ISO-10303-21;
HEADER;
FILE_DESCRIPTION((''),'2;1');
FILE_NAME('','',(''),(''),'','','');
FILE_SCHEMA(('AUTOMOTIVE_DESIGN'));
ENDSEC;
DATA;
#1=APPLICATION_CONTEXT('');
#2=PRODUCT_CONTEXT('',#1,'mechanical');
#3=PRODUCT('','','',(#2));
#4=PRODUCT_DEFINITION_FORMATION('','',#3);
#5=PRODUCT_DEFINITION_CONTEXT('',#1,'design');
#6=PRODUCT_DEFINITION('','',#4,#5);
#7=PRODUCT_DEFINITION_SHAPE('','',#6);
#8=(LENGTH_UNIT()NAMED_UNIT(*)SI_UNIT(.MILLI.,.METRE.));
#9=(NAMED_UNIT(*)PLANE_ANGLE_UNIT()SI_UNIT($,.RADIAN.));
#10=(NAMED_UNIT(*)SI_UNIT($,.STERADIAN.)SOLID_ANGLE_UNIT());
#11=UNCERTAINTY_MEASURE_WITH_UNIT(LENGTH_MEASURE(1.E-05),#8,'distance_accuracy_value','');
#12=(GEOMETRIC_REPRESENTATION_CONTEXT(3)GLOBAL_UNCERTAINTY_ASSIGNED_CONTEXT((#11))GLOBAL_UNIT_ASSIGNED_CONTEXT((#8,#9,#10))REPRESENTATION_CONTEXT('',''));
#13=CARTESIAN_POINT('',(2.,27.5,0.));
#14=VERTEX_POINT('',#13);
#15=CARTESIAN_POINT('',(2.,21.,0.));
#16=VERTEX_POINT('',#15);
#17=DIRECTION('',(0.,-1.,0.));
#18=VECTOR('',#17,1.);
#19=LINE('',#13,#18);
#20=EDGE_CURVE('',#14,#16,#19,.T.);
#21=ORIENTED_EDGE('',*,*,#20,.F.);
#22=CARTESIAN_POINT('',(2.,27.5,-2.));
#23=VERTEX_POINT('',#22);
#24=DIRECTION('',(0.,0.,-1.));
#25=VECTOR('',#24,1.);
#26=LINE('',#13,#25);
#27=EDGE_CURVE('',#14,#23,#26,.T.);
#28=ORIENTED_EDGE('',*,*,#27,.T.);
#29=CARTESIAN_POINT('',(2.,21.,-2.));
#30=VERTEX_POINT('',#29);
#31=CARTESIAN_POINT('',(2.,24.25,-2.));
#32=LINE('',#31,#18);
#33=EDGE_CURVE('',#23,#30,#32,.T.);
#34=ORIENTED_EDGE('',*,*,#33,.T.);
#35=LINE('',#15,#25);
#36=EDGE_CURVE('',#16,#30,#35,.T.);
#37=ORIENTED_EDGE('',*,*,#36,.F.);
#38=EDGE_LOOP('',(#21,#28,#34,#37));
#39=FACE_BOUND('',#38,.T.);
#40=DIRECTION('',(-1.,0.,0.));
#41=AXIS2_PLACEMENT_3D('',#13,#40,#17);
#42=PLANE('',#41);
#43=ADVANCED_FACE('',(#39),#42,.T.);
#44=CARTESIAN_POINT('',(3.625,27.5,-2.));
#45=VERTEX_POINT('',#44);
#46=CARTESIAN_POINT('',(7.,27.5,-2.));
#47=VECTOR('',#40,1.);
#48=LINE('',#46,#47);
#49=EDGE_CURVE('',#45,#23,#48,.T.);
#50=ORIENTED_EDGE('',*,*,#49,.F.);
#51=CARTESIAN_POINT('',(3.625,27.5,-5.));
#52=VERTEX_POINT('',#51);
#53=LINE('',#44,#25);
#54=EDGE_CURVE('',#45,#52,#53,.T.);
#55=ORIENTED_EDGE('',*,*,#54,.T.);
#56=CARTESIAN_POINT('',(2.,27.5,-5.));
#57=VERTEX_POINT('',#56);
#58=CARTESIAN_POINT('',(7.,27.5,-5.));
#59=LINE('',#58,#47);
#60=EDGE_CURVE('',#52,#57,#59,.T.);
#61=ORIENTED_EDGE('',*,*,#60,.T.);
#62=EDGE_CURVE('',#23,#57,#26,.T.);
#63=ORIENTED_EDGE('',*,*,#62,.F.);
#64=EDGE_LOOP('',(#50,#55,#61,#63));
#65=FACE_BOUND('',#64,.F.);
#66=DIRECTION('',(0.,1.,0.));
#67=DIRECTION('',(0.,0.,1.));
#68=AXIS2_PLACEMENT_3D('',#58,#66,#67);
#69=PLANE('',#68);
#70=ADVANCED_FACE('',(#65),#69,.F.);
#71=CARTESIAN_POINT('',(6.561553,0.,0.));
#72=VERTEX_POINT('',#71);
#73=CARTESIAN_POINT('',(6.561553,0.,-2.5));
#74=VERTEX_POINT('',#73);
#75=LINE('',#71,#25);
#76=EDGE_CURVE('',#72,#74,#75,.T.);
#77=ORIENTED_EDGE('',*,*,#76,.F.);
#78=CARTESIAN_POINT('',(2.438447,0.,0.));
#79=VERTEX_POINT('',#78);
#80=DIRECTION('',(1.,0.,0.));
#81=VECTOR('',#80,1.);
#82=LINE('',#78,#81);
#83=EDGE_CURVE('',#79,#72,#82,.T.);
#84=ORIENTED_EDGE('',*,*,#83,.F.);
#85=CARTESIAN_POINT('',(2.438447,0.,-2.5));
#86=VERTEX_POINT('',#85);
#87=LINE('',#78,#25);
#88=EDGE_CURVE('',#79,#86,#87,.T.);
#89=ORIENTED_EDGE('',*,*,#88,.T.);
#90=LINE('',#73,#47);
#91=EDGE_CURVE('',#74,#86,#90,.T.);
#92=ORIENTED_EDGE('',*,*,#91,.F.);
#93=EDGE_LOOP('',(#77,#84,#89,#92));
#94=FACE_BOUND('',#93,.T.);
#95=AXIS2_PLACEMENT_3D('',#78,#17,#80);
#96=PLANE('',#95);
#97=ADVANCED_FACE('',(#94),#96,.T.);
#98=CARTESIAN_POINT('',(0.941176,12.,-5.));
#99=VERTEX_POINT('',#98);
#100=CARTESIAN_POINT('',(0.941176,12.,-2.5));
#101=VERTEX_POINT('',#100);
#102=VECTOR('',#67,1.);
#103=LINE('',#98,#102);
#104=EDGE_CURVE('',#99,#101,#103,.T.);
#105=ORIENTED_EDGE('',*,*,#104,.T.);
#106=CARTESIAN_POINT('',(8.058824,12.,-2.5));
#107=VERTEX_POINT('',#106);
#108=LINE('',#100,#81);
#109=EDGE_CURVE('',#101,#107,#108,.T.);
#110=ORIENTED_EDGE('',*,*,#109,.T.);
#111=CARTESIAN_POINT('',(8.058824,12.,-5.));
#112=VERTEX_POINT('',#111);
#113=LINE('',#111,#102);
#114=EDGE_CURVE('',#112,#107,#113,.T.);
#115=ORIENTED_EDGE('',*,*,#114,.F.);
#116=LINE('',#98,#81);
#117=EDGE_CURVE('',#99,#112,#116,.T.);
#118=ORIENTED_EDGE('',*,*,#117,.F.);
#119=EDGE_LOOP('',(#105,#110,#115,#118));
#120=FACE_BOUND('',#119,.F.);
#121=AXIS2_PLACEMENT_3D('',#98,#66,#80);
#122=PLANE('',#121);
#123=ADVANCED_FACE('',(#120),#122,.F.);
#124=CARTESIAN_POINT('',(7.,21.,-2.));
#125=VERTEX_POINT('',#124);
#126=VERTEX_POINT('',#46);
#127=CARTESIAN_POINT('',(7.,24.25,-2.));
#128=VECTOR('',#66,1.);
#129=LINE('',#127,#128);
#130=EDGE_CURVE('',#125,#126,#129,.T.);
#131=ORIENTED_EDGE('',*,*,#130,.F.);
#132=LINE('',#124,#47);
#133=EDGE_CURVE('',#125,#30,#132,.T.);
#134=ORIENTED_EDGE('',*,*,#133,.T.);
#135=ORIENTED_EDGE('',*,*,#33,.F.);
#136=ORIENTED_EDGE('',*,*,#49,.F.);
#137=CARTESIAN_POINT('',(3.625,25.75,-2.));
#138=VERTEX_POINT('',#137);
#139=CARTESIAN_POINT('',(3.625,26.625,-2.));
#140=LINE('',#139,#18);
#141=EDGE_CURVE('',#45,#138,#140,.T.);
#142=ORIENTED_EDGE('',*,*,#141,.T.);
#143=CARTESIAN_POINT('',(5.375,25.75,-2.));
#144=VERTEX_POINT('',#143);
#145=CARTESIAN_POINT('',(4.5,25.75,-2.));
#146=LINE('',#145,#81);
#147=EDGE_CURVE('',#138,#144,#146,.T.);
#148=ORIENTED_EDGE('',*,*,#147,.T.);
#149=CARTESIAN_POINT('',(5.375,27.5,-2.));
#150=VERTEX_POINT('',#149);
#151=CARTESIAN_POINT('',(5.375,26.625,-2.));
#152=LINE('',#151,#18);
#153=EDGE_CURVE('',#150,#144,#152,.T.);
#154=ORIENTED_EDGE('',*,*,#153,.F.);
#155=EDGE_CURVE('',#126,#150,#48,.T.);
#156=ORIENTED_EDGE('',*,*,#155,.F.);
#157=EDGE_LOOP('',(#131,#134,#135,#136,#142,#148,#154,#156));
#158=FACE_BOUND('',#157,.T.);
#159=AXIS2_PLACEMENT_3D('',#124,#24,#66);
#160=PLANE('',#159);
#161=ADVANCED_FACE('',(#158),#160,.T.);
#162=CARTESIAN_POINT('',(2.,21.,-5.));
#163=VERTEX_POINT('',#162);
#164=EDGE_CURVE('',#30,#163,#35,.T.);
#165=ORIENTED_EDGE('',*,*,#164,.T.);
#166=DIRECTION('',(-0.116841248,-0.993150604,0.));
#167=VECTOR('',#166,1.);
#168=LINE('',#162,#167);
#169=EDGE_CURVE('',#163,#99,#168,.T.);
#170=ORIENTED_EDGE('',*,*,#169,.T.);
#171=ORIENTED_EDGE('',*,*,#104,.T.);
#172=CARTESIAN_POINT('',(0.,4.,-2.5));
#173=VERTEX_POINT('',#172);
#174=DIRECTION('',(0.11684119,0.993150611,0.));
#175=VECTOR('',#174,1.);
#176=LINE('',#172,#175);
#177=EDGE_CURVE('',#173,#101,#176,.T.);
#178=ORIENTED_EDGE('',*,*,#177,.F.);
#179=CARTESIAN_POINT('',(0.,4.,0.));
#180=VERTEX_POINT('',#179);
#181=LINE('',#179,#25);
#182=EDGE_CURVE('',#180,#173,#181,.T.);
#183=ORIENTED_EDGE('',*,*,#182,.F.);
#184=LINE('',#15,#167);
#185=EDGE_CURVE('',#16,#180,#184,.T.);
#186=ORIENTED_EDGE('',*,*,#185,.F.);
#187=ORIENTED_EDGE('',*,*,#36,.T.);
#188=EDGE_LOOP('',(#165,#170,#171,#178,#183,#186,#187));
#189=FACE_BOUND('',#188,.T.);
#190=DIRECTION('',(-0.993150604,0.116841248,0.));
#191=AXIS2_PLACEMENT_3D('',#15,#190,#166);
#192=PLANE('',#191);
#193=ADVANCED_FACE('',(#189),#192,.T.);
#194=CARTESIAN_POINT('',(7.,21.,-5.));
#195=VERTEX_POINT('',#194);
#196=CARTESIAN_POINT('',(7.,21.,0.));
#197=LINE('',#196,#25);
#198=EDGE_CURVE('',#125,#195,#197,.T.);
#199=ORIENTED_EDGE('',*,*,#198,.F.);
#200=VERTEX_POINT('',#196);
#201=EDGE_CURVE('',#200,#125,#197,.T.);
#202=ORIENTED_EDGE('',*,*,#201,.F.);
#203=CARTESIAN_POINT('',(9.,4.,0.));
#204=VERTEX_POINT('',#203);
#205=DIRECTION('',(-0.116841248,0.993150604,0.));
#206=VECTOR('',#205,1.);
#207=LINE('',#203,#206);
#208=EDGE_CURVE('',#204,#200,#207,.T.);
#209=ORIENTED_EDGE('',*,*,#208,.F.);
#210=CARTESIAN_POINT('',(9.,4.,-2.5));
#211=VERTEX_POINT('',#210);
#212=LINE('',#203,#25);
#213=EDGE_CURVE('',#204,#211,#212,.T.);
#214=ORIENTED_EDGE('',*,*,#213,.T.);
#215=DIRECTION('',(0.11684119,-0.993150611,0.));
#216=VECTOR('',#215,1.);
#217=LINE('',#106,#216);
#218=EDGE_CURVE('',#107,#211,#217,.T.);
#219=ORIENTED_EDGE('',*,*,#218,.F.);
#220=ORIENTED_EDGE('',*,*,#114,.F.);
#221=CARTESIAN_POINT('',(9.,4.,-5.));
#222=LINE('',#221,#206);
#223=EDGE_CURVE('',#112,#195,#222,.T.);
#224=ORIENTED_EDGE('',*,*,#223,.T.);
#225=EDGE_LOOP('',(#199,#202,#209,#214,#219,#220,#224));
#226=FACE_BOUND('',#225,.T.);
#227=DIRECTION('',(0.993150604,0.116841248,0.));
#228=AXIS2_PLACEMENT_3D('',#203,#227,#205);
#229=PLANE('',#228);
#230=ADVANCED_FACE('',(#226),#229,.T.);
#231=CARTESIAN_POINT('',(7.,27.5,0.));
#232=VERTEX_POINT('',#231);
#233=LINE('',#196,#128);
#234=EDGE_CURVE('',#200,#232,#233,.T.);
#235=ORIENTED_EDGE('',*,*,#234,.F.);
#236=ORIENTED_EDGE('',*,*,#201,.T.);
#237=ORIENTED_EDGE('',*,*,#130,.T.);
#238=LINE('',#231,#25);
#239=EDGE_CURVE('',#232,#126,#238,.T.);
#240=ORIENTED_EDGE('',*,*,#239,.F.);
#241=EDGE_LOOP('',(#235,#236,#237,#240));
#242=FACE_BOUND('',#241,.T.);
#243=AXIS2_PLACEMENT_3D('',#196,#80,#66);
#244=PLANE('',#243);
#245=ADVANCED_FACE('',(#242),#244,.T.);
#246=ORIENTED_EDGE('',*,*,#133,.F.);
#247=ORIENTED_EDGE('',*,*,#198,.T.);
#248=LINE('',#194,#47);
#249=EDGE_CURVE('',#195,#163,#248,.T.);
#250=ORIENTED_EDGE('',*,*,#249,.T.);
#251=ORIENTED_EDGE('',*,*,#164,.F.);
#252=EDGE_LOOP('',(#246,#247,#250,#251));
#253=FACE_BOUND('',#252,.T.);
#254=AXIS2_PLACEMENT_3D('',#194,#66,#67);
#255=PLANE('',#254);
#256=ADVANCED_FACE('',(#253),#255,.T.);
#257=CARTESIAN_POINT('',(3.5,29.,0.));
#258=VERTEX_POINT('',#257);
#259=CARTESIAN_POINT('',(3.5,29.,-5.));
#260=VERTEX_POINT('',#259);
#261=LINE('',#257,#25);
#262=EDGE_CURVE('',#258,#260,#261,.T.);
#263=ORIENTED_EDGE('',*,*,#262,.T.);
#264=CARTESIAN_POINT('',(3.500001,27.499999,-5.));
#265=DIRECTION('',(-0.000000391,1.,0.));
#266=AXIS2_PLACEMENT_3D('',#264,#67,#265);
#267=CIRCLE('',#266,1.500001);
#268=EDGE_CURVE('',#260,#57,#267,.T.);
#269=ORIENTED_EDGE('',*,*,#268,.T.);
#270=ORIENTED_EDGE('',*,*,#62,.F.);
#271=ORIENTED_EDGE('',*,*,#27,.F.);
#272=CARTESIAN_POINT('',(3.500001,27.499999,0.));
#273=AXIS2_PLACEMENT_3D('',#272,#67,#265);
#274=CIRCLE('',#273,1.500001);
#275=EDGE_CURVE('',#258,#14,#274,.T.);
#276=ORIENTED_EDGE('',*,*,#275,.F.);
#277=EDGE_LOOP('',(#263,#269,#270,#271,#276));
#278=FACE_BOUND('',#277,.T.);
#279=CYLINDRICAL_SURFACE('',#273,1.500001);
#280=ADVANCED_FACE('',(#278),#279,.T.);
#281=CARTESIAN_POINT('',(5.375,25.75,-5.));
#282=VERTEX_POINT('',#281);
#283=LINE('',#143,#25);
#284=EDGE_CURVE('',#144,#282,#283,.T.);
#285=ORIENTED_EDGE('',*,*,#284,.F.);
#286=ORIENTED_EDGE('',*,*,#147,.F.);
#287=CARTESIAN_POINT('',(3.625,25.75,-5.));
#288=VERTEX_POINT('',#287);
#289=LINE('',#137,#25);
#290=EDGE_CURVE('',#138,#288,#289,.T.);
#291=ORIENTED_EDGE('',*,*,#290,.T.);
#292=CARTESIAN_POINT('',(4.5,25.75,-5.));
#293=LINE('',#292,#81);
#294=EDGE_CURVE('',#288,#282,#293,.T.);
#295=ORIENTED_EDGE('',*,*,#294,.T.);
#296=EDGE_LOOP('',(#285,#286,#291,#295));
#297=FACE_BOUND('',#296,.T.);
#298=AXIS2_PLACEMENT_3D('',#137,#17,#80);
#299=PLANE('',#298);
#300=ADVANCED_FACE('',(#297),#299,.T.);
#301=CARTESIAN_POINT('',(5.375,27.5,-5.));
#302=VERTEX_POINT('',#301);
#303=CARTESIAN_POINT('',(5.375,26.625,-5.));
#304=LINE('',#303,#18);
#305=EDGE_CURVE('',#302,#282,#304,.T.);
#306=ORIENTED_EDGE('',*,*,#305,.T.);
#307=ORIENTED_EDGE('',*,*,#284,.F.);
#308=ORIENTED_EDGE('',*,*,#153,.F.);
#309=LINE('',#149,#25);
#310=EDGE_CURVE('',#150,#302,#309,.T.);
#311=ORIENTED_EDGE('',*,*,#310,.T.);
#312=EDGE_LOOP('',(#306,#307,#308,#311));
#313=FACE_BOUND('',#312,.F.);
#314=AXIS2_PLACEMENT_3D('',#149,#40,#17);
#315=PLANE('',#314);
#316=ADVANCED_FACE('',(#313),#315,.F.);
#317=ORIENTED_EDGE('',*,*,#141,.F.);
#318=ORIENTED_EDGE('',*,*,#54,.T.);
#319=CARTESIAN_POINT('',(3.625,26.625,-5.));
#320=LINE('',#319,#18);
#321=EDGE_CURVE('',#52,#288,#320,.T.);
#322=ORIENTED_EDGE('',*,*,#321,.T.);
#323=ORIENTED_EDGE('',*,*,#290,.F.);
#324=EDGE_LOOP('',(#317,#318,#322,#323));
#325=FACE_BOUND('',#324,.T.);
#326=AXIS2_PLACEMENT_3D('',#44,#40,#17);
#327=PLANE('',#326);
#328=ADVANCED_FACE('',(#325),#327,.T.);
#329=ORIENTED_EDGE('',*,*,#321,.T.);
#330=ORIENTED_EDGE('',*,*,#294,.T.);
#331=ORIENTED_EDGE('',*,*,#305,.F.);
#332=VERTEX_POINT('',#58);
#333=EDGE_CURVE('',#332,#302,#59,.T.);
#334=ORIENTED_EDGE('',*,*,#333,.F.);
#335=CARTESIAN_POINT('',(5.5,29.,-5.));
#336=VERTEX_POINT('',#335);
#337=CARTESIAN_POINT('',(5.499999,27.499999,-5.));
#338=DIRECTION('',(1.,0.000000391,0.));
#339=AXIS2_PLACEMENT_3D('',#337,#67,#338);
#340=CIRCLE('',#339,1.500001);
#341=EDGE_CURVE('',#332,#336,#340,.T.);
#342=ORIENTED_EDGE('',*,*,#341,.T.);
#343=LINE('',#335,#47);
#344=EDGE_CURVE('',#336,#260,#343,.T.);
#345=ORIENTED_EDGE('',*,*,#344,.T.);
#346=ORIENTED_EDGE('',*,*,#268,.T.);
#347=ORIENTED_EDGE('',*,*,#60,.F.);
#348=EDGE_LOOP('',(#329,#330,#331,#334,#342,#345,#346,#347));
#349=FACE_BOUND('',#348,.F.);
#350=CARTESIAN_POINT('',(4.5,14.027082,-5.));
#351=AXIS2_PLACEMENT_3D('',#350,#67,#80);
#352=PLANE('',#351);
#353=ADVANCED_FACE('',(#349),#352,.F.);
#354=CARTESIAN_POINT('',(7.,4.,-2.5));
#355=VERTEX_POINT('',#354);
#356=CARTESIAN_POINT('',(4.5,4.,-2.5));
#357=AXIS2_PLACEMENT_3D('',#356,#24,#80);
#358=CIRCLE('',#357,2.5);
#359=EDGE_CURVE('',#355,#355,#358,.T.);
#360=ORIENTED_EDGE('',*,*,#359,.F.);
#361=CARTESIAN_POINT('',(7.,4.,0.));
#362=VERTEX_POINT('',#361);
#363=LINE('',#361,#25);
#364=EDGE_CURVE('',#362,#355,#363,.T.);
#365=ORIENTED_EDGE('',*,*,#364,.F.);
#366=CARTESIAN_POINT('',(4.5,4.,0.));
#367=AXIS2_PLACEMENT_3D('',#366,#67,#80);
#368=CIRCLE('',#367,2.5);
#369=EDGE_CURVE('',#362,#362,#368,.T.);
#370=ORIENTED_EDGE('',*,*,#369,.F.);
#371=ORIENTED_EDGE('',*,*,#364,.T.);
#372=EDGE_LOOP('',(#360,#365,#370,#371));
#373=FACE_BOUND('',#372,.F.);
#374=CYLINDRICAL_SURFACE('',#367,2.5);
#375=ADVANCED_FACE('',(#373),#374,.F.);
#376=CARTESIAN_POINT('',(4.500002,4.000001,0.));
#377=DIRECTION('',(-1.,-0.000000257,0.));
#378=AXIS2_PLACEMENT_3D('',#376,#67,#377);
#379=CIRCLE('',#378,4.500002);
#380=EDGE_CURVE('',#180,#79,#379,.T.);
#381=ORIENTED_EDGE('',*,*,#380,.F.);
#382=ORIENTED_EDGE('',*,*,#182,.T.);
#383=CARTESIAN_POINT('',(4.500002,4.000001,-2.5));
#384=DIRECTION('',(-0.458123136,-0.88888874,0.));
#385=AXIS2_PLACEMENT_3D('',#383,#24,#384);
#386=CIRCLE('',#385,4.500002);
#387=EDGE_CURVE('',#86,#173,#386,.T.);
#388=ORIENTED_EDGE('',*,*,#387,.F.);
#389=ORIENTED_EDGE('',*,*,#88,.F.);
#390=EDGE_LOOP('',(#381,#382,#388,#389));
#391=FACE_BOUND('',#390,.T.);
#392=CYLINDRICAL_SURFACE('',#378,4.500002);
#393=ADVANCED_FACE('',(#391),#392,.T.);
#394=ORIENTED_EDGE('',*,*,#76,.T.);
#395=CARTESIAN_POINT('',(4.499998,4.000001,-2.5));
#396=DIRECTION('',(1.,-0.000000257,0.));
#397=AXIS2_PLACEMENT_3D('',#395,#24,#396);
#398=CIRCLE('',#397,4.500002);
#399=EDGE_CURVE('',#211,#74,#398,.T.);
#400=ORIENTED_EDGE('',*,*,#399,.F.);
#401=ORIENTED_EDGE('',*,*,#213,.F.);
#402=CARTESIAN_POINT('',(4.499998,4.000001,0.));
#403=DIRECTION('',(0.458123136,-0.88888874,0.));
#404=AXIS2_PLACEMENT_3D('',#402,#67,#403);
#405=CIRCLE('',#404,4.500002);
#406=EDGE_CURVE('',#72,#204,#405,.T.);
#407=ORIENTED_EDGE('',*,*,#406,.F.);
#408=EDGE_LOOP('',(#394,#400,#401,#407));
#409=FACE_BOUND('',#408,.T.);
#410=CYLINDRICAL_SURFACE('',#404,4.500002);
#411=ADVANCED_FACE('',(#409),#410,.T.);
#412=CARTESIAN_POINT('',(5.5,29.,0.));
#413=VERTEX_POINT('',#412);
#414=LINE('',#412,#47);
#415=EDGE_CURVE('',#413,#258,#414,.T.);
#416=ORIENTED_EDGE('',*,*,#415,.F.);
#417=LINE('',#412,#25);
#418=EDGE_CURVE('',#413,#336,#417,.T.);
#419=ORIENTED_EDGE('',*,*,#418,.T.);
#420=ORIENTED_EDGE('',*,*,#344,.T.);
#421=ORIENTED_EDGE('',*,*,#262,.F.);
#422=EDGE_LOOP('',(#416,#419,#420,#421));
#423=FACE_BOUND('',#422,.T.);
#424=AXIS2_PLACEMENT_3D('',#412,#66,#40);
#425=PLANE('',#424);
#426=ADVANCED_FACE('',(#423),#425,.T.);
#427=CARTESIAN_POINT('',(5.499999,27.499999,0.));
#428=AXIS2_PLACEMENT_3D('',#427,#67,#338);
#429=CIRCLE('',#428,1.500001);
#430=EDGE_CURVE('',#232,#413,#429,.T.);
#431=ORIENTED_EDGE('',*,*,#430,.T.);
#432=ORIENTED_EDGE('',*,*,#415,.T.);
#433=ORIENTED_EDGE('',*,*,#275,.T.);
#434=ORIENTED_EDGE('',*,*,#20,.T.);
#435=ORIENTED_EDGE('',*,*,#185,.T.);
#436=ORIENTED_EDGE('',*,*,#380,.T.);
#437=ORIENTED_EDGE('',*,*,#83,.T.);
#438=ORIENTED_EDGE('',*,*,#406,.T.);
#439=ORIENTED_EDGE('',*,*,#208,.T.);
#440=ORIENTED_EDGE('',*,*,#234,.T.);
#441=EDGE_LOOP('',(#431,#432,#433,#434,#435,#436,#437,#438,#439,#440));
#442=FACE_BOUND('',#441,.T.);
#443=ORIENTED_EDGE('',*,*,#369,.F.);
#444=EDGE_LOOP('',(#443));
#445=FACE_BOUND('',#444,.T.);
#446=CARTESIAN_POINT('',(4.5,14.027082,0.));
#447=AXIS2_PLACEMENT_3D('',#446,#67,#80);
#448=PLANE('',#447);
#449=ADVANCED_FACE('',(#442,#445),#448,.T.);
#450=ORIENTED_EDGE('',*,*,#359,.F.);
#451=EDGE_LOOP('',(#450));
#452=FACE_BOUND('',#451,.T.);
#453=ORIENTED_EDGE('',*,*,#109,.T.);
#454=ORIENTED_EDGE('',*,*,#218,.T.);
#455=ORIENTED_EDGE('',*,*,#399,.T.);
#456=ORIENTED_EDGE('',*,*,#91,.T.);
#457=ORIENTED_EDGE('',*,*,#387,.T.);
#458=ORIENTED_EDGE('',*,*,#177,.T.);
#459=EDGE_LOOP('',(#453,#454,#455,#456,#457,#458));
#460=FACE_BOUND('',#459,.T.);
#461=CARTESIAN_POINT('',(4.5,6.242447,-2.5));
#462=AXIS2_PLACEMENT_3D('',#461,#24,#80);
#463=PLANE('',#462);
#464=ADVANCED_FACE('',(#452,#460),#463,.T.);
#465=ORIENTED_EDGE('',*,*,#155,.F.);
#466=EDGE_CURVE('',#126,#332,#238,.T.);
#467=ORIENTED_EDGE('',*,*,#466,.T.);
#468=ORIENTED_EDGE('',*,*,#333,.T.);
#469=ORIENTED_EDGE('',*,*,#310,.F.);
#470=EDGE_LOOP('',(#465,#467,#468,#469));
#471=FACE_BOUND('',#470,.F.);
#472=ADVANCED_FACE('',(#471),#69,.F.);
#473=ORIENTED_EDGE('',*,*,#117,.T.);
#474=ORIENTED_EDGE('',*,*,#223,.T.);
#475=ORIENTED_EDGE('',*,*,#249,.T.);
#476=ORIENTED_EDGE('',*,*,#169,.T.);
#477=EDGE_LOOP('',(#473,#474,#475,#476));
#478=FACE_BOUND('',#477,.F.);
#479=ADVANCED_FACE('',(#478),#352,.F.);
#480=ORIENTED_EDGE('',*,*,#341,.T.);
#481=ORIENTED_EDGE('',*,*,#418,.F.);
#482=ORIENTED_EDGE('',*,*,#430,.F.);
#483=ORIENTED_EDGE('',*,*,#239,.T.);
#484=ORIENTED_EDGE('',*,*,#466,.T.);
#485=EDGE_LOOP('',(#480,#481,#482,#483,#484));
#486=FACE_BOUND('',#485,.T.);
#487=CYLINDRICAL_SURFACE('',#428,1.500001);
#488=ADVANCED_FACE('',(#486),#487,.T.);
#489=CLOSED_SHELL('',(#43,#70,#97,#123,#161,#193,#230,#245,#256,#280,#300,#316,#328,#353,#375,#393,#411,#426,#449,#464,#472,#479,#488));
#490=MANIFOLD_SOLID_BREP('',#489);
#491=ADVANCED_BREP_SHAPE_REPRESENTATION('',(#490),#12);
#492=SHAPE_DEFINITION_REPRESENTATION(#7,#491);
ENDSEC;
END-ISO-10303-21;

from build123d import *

# Parameters (mm, degrees)
F0_R     = 2.5
F1_DEPTH = 5
F2_W     = 6.5
F2_H     = 3
F3_DEPTH = 25
F4_W     = 1.75
F4_H     = 1.75
F5_DEPTH = 3
F6_R     = 2.5
F7_DEPTH = 2.5


with BuildPart() as f1:
    # F0 (on Top) → F1 (new body)
    with BuildSketch(Plane.XY):
        with BuildLine():
            ThreePointArc((0, 4), (0.657671, 1.657671), (2.438447, 0))
            Line((2.438447, 0), (6.561553, 0))
            ThreePointArc((6.561553, 0), (8.342329, 1.657671), (9, 4))
            Line((9, 4), (7, 21))
            Line((7, 21), (7, 27.5))
            ThreePointArc((7, 27.5), (6.56066, 28.56066), (5.5, 29))
            Line((5.5, 29), (3.5, 29))
            ThreePointArc((3.5, 29), (2.43934, 28.56066), (2, 27.5))
            Line((2, 27.5), (2, 21))
            Line((2, 21), (0, 4))
        make_face()
        with Locations((4.5, 4)):
            Circle(F0_R, mode=Mode.SUBTRACT)
    extrude(amount=-F1_DEPTH)

    # F2 (on face) → F3 (cut)
    with BuildSketch(Plane.YZ.offset(7)):
        with Locations((24.25, -3.5)):
            Rectangle(F2_W, F2_H)
    extrude(amount=-F3_DEPTH, mode=Mode.SUBTRACT)

    # F4 (on face) → F5 (join, through all)
    with BuildSketch(Plane(origin=(0, 0, -2), x_dir=(1, 0, 0), z_dir=(0, 0, -1))):
        with Locations((4.5, -26.625)):
            Rectangle(F4_W, F4_H)
    extrude(amount=F5_DEPTH)

    # F6 (on face) → F7 (cut)
    with BuildSketch(Plane(origin=(0, 0, -5), x_dir=(1, 0, 0), z_dir=(0, 0, -1))):
        with BuildLine():
            ThreePointArc((2.438447, 0), (0.657671, -1.657671), (0, -4))
            Line((0, -4), (0.941176, -12))
            Line((0.941176, -12), (8.058824, -12))
            Line((8.058824, -12), (9, -4))
            ThreePointArc((9, -4), (8.342329, -1.657671), (6.561553, 0))
            Line((6.561553, 0), (2.438447, 0))
        make_face()
        with Locations((4.5, -4)):
            Circle(F6_R, mode=Mode.SUBTRACT)
    extrude(amount=-F7_DEPTH, mode=Mode.SUBTRACT)


solid = f1.part
